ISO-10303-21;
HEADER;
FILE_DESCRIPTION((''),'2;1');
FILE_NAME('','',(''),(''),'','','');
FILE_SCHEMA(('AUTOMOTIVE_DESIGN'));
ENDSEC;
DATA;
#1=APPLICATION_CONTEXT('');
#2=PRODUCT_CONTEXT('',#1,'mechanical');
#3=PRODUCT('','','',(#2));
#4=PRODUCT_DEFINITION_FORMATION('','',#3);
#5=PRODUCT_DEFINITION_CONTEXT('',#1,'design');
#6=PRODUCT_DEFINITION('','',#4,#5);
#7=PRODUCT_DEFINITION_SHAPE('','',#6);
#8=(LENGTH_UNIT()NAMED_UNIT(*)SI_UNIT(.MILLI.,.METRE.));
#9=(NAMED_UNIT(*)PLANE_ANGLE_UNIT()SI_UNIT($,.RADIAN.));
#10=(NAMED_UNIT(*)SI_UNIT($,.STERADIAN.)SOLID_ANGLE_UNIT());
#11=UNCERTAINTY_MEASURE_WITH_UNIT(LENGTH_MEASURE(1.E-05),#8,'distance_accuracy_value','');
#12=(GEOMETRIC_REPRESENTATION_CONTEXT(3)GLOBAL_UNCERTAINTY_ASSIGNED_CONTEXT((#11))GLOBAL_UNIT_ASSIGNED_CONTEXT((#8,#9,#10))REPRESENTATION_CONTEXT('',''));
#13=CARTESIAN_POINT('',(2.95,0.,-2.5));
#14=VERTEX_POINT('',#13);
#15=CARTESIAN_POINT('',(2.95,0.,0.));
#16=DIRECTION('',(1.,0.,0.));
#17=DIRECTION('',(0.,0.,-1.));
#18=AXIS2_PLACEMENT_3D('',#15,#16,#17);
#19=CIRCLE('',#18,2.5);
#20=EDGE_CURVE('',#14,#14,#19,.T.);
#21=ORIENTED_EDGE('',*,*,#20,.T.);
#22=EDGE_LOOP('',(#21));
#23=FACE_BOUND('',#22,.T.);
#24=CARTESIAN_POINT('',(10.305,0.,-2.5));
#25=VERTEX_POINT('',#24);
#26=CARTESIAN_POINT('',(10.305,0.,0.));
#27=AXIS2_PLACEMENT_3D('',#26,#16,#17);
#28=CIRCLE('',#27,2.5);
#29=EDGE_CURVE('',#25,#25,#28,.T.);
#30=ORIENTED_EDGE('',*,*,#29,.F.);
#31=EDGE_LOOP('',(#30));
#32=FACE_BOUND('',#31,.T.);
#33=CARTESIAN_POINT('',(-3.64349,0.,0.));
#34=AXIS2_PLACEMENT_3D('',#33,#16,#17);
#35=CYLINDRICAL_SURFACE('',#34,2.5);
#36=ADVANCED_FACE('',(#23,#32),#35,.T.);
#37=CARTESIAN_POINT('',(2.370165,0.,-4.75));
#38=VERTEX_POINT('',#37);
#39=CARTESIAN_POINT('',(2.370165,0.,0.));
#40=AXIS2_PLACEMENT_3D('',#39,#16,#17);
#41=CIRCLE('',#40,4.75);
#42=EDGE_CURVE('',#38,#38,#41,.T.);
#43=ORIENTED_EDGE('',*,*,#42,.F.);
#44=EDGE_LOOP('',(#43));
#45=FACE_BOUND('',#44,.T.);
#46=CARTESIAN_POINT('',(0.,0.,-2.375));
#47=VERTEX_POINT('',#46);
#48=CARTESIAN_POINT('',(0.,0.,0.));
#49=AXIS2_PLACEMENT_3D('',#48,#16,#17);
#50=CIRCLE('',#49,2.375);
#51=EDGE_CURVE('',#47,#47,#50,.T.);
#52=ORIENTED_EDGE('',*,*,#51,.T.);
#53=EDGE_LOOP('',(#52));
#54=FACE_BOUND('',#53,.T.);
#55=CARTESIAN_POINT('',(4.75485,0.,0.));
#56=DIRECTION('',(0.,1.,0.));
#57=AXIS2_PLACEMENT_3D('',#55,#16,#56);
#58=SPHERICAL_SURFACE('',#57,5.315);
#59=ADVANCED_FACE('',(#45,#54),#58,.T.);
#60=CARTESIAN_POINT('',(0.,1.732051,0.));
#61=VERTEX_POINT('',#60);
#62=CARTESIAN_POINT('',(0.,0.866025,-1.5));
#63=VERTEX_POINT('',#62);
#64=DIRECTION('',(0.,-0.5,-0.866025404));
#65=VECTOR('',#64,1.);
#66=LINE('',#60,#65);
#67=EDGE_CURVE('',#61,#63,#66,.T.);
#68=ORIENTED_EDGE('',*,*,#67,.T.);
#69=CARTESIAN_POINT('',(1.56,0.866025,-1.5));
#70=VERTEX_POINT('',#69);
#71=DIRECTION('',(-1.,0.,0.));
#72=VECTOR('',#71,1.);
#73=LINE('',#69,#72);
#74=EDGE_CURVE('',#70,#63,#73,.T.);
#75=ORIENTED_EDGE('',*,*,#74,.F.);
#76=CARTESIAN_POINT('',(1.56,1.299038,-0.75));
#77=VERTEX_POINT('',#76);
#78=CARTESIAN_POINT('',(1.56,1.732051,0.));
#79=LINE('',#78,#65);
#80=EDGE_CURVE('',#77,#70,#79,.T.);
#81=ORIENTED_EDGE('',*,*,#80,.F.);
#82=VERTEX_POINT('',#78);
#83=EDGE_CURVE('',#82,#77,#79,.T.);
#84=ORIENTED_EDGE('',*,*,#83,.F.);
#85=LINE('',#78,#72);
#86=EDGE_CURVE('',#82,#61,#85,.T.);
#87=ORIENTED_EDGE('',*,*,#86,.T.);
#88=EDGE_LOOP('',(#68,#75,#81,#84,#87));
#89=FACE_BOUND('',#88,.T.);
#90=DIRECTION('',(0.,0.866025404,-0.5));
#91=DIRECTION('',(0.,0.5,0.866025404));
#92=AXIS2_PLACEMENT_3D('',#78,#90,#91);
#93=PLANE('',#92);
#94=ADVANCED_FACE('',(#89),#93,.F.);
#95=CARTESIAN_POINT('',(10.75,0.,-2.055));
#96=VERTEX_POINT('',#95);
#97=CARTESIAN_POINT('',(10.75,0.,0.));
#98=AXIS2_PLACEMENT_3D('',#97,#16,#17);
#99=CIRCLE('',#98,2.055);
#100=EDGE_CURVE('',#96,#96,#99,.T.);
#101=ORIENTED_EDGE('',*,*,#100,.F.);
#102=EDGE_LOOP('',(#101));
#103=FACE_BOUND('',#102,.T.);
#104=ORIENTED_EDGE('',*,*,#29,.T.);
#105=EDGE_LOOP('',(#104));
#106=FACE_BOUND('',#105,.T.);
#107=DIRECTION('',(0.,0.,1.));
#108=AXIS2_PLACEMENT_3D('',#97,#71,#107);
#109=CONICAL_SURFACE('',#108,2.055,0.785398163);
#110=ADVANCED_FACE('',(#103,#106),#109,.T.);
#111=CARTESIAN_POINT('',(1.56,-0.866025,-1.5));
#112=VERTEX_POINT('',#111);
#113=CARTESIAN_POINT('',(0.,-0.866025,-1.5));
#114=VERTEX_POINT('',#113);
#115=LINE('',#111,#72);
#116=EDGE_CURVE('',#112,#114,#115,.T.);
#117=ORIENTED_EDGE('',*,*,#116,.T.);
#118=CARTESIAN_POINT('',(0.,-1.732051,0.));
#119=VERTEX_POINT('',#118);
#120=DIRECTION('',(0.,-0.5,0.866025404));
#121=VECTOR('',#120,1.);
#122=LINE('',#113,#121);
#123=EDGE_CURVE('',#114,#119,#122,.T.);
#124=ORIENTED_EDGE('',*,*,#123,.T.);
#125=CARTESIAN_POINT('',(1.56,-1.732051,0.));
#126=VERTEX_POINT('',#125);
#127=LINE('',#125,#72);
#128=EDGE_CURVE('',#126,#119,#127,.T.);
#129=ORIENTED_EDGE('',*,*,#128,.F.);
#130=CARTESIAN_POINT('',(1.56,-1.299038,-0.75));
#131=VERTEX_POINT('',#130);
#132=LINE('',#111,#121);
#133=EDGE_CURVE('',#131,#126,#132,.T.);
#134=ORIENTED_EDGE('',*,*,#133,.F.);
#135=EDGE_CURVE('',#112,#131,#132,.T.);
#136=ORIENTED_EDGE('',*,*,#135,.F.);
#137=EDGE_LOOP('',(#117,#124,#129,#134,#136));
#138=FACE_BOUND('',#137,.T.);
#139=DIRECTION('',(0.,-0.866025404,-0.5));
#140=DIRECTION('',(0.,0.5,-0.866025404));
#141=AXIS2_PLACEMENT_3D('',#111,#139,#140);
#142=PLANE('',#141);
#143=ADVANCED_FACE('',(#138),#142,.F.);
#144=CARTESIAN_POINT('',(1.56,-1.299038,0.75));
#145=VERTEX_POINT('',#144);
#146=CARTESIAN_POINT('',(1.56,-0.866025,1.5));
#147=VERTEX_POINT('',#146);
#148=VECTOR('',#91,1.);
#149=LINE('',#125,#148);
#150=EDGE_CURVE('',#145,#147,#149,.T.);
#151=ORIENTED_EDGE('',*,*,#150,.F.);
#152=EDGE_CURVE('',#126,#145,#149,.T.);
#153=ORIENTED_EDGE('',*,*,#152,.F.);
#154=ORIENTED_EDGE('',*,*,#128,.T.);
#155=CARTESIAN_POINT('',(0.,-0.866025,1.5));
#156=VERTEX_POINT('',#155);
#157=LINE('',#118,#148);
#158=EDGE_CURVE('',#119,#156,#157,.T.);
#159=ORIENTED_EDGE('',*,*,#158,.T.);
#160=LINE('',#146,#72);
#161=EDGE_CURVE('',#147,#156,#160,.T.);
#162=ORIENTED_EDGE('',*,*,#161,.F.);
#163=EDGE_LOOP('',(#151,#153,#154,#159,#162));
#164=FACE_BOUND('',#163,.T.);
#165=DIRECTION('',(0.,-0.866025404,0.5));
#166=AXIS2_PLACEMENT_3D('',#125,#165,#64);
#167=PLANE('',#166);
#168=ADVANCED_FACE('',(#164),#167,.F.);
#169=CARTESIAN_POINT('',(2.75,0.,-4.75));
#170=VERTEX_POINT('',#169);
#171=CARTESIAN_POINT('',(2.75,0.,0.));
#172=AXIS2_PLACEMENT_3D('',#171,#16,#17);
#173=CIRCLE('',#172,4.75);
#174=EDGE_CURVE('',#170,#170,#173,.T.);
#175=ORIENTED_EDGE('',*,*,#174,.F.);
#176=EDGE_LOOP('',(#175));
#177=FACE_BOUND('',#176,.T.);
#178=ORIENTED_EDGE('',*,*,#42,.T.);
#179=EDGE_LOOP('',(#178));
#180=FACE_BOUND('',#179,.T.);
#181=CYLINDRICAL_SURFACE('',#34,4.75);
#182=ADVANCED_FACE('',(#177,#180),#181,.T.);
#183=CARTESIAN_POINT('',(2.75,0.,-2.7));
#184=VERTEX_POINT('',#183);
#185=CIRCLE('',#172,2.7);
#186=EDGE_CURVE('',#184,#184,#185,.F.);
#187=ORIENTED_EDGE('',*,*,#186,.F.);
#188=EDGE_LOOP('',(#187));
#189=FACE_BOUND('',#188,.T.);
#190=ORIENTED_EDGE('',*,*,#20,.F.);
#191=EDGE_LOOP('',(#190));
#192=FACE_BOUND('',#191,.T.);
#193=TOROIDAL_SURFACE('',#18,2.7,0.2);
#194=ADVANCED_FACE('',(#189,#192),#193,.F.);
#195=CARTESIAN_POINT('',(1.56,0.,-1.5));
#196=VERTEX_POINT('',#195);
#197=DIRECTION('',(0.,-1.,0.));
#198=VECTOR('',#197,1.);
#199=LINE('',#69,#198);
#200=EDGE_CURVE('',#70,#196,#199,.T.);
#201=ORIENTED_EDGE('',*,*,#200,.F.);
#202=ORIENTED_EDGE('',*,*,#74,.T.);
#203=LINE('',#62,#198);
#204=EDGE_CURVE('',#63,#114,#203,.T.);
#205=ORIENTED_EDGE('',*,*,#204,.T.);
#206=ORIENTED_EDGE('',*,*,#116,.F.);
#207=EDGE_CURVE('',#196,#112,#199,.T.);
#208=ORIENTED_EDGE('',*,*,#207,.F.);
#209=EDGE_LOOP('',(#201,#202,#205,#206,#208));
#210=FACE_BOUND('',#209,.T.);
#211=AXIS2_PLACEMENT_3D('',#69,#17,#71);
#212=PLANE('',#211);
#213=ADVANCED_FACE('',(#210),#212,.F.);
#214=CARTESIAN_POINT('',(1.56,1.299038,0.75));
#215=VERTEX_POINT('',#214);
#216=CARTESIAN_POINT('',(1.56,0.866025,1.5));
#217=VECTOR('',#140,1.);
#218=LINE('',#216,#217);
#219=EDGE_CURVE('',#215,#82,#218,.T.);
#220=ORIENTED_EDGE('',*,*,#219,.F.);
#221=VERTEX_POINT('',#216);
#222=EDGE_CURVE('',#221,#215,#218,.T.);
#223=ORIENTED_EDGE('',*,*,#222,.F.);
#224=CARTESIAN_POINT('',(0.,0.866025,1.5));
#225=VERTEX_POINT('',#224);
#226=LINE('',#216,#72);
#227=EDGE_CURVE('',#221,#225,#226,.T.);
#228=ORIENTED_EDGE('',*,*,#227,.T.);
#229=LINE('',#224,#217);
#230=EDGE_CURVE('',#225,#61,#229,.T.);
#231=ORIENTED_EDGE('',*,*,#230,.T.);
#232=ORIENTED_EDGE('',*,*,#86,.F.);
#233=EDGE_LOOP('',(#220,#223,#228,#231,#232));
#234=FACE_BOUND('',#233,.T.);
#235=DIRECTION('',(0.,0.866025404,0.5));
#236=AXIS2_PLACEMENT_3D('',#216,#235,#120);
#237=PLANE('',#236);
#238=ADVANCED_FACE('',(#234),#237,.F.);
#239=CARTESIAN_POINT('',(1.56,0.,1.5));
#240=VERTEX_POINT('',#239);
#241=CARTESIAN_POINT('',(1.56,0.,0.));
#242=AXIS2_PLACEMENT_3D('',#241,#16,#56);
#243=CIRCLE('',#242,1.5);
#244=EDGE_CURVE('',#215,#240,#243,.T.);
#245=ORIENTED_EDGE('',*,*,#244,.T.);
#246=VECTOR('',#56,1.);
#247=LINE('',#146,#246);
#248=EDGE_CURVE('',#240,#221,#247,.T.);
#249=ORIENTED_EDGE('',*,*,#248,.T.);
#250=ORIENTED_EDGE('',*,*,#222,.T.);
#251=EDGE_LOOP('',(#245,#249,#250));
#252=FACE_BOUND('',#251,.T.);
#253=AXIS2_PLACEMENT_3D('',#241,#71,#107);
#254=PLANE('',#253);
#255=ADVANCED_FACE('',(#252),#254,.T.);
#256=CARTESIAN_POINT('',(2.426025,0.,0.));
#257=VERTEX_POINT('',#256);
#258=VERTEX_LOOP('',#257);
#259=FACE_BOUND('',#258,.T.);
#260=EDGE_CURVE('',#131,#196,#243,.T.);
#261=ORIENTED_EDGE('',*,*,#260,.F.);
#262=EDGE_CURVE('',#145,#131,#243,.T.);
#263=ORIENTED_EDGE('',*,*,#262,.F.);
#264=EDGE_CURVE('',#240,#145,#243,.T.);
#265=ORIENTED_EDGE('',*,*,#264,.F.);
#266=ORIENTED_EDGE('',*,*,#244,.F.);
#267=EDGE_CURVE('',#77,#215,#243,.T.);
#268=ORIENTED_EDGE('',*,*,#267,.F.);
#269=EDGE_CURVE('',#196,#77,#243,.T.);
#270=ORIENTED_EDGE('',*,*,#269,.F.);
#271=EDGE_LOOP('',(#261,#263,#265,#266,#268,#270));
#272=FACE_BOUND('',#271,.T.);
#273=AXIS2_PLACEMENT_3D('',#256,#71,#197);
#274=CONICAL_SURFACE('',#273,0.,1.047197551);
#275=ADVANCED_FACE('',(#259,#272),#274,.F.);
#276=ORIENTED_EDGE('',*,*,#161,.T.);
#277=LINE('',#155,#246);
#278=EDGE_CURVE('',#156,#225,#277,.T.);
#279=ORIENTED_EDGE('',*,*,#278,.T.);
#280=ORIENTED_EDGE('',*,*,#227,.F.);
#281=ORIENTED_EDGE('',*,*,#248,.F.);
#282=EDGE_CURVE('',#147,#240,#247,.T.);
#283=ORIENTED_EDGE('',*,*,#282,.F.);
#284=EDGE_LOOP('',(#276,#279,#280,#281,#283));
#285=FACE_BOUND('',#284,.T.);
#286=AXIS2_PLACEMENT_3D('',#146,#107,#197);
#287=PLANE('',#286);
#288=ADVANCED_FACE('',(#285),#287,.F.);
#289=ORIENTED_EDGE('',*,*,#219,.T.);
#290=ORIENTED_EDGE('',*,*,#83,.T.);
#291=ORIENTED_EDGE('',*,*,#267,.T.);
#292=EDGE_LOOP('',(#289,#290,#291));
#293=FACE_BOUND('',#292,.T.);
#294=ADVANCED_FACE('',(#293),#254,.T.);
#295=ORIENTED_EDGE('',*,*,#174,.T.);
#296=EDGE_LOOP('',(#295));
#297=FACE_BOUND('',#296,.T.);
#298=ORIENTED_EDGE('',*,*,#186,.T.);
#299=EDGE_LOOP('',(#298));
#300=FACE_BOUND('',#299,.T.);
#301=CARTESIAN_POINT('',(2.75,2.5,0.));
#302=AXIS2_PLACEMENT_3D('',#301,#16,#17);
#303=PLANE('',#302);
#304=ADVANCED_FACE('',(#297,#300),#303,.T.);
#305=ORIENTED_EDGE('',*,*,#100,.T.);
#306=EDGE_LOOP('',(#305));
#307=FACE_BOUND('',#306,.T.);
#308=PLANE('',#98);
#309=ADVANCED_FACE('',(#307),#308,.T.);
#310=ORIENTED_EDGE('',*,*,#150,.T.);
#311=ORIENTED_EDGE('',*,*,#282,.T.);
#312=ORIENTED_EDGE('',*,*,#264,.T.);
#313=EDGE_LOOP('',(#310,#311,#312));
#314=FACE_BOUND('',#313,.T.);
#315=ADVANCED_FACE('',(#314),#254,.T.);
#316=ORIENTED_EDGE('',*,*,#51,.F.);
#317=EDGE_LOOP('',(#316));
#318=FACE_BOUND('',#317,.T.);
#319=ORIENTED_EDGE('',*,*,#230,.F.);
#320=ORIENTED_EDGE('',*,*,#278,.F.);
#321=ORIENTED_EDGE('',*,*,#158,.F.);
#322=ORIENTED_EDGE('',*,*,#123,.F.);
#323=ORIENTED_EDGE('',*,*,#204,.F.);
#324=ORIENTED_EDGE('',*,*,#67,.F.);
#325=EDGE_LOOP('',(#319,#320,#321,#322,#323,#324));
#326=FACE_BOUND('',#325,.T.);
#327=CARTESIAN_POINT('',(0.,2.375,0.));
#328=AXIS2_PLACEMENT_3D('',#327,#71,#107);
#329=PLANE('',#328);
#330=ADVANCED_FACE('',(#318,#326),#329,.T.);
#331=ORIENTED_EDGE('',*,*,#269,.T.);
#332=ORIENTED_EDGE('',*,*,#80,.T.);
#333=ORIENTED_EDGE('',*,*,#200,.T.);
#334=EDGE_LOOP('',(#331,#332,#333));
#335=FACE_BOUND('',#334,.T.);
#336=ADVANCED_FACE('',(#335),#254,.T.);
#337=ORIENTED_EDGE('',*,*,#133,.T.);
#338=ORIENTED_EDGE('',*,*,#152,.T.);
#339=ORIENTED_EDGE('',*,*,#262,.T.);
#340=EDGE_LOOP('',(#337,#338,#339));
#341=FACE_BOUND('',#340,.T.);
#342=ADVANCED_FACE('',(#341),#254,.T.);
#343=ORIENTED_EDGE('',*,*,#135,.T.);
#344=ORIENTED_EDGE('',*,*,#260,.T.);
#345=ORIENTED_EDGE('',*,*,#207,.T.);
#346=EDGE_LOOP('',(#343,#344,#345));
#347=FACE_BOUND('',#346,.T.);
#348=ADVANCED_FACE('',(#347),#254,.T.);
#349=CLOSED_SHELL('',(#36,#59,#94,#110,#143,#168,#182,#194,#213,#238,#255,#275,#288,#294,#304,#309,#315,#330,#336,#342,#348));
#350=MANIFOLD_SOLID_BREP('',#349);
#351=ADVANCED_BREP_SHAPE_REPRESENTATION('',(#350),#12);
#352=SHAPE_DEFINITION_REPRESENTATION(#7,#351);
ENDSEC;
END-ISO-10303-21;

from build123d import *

# Parameters (mm, degrees)
CHAMFER_2_R = 0.2
HEX_2_DEPTH = 1.56


with BuildPart() as part:
    # Эскиз1 → Body (revolve)
    with BuildSketch(Plane.XY):
        with BuildLine():
            Line((0, 2.375), (0, 0))
            Line((0, 0), (10.75, 0))
            Line((10.75, 0), (10.75, 2.055))
            Line((10.75, 2.055), (10.305, 2.5))
            Line((10.305, 2.5), (2.75, 2.5))
            Line((2.75, 2.5), (2.75, 4.75))
            Line((2.75, 4.75), (2.370164642, 4.75))
            ThreePointArc((2.370164642, 4.75), (0.992749859, 3.754440885), (0, 2.375))
        make_face()
    revolve(axis=Axis((-3.643489966, 0, 0), (-1, 0, 0)))

    # Chamfer 2
    chamfer_2_edges = [part.edges().sort_by_distance(p)[0] for p in [
        (2.75, -2.5, 0),
    ]]
    fillet(chamfer_2_edges, radius=CHAMFER_2_R)

    # Эскиз2 → Hole (revolve, cut)
    with BuildSketch(Plane.XY):
        Polygon((0, 0), (0, 1.5), (1.56, 1.5), (2.426025404, 0), align=None)
    revolve(axis=Axis((2.426025404, 0, 0), (-1, 0, 0)), mode=Mode.SUBTRACT)

    # Эскиз3 → Hex 2 (cut)
    with BuildSketch(Plane.ZY):
        Polygon((-1.5, -0.866025404), (0, -1.732050808), (1.5, -0.866025404), (1.5, 0.866025404), (0, 1.732050808), (-1.5, 0.866025404), align=None)
    extrude(amount=-HEX_2_DEPTH, mode=Mode.SUBTRACT)


solid = part.part
